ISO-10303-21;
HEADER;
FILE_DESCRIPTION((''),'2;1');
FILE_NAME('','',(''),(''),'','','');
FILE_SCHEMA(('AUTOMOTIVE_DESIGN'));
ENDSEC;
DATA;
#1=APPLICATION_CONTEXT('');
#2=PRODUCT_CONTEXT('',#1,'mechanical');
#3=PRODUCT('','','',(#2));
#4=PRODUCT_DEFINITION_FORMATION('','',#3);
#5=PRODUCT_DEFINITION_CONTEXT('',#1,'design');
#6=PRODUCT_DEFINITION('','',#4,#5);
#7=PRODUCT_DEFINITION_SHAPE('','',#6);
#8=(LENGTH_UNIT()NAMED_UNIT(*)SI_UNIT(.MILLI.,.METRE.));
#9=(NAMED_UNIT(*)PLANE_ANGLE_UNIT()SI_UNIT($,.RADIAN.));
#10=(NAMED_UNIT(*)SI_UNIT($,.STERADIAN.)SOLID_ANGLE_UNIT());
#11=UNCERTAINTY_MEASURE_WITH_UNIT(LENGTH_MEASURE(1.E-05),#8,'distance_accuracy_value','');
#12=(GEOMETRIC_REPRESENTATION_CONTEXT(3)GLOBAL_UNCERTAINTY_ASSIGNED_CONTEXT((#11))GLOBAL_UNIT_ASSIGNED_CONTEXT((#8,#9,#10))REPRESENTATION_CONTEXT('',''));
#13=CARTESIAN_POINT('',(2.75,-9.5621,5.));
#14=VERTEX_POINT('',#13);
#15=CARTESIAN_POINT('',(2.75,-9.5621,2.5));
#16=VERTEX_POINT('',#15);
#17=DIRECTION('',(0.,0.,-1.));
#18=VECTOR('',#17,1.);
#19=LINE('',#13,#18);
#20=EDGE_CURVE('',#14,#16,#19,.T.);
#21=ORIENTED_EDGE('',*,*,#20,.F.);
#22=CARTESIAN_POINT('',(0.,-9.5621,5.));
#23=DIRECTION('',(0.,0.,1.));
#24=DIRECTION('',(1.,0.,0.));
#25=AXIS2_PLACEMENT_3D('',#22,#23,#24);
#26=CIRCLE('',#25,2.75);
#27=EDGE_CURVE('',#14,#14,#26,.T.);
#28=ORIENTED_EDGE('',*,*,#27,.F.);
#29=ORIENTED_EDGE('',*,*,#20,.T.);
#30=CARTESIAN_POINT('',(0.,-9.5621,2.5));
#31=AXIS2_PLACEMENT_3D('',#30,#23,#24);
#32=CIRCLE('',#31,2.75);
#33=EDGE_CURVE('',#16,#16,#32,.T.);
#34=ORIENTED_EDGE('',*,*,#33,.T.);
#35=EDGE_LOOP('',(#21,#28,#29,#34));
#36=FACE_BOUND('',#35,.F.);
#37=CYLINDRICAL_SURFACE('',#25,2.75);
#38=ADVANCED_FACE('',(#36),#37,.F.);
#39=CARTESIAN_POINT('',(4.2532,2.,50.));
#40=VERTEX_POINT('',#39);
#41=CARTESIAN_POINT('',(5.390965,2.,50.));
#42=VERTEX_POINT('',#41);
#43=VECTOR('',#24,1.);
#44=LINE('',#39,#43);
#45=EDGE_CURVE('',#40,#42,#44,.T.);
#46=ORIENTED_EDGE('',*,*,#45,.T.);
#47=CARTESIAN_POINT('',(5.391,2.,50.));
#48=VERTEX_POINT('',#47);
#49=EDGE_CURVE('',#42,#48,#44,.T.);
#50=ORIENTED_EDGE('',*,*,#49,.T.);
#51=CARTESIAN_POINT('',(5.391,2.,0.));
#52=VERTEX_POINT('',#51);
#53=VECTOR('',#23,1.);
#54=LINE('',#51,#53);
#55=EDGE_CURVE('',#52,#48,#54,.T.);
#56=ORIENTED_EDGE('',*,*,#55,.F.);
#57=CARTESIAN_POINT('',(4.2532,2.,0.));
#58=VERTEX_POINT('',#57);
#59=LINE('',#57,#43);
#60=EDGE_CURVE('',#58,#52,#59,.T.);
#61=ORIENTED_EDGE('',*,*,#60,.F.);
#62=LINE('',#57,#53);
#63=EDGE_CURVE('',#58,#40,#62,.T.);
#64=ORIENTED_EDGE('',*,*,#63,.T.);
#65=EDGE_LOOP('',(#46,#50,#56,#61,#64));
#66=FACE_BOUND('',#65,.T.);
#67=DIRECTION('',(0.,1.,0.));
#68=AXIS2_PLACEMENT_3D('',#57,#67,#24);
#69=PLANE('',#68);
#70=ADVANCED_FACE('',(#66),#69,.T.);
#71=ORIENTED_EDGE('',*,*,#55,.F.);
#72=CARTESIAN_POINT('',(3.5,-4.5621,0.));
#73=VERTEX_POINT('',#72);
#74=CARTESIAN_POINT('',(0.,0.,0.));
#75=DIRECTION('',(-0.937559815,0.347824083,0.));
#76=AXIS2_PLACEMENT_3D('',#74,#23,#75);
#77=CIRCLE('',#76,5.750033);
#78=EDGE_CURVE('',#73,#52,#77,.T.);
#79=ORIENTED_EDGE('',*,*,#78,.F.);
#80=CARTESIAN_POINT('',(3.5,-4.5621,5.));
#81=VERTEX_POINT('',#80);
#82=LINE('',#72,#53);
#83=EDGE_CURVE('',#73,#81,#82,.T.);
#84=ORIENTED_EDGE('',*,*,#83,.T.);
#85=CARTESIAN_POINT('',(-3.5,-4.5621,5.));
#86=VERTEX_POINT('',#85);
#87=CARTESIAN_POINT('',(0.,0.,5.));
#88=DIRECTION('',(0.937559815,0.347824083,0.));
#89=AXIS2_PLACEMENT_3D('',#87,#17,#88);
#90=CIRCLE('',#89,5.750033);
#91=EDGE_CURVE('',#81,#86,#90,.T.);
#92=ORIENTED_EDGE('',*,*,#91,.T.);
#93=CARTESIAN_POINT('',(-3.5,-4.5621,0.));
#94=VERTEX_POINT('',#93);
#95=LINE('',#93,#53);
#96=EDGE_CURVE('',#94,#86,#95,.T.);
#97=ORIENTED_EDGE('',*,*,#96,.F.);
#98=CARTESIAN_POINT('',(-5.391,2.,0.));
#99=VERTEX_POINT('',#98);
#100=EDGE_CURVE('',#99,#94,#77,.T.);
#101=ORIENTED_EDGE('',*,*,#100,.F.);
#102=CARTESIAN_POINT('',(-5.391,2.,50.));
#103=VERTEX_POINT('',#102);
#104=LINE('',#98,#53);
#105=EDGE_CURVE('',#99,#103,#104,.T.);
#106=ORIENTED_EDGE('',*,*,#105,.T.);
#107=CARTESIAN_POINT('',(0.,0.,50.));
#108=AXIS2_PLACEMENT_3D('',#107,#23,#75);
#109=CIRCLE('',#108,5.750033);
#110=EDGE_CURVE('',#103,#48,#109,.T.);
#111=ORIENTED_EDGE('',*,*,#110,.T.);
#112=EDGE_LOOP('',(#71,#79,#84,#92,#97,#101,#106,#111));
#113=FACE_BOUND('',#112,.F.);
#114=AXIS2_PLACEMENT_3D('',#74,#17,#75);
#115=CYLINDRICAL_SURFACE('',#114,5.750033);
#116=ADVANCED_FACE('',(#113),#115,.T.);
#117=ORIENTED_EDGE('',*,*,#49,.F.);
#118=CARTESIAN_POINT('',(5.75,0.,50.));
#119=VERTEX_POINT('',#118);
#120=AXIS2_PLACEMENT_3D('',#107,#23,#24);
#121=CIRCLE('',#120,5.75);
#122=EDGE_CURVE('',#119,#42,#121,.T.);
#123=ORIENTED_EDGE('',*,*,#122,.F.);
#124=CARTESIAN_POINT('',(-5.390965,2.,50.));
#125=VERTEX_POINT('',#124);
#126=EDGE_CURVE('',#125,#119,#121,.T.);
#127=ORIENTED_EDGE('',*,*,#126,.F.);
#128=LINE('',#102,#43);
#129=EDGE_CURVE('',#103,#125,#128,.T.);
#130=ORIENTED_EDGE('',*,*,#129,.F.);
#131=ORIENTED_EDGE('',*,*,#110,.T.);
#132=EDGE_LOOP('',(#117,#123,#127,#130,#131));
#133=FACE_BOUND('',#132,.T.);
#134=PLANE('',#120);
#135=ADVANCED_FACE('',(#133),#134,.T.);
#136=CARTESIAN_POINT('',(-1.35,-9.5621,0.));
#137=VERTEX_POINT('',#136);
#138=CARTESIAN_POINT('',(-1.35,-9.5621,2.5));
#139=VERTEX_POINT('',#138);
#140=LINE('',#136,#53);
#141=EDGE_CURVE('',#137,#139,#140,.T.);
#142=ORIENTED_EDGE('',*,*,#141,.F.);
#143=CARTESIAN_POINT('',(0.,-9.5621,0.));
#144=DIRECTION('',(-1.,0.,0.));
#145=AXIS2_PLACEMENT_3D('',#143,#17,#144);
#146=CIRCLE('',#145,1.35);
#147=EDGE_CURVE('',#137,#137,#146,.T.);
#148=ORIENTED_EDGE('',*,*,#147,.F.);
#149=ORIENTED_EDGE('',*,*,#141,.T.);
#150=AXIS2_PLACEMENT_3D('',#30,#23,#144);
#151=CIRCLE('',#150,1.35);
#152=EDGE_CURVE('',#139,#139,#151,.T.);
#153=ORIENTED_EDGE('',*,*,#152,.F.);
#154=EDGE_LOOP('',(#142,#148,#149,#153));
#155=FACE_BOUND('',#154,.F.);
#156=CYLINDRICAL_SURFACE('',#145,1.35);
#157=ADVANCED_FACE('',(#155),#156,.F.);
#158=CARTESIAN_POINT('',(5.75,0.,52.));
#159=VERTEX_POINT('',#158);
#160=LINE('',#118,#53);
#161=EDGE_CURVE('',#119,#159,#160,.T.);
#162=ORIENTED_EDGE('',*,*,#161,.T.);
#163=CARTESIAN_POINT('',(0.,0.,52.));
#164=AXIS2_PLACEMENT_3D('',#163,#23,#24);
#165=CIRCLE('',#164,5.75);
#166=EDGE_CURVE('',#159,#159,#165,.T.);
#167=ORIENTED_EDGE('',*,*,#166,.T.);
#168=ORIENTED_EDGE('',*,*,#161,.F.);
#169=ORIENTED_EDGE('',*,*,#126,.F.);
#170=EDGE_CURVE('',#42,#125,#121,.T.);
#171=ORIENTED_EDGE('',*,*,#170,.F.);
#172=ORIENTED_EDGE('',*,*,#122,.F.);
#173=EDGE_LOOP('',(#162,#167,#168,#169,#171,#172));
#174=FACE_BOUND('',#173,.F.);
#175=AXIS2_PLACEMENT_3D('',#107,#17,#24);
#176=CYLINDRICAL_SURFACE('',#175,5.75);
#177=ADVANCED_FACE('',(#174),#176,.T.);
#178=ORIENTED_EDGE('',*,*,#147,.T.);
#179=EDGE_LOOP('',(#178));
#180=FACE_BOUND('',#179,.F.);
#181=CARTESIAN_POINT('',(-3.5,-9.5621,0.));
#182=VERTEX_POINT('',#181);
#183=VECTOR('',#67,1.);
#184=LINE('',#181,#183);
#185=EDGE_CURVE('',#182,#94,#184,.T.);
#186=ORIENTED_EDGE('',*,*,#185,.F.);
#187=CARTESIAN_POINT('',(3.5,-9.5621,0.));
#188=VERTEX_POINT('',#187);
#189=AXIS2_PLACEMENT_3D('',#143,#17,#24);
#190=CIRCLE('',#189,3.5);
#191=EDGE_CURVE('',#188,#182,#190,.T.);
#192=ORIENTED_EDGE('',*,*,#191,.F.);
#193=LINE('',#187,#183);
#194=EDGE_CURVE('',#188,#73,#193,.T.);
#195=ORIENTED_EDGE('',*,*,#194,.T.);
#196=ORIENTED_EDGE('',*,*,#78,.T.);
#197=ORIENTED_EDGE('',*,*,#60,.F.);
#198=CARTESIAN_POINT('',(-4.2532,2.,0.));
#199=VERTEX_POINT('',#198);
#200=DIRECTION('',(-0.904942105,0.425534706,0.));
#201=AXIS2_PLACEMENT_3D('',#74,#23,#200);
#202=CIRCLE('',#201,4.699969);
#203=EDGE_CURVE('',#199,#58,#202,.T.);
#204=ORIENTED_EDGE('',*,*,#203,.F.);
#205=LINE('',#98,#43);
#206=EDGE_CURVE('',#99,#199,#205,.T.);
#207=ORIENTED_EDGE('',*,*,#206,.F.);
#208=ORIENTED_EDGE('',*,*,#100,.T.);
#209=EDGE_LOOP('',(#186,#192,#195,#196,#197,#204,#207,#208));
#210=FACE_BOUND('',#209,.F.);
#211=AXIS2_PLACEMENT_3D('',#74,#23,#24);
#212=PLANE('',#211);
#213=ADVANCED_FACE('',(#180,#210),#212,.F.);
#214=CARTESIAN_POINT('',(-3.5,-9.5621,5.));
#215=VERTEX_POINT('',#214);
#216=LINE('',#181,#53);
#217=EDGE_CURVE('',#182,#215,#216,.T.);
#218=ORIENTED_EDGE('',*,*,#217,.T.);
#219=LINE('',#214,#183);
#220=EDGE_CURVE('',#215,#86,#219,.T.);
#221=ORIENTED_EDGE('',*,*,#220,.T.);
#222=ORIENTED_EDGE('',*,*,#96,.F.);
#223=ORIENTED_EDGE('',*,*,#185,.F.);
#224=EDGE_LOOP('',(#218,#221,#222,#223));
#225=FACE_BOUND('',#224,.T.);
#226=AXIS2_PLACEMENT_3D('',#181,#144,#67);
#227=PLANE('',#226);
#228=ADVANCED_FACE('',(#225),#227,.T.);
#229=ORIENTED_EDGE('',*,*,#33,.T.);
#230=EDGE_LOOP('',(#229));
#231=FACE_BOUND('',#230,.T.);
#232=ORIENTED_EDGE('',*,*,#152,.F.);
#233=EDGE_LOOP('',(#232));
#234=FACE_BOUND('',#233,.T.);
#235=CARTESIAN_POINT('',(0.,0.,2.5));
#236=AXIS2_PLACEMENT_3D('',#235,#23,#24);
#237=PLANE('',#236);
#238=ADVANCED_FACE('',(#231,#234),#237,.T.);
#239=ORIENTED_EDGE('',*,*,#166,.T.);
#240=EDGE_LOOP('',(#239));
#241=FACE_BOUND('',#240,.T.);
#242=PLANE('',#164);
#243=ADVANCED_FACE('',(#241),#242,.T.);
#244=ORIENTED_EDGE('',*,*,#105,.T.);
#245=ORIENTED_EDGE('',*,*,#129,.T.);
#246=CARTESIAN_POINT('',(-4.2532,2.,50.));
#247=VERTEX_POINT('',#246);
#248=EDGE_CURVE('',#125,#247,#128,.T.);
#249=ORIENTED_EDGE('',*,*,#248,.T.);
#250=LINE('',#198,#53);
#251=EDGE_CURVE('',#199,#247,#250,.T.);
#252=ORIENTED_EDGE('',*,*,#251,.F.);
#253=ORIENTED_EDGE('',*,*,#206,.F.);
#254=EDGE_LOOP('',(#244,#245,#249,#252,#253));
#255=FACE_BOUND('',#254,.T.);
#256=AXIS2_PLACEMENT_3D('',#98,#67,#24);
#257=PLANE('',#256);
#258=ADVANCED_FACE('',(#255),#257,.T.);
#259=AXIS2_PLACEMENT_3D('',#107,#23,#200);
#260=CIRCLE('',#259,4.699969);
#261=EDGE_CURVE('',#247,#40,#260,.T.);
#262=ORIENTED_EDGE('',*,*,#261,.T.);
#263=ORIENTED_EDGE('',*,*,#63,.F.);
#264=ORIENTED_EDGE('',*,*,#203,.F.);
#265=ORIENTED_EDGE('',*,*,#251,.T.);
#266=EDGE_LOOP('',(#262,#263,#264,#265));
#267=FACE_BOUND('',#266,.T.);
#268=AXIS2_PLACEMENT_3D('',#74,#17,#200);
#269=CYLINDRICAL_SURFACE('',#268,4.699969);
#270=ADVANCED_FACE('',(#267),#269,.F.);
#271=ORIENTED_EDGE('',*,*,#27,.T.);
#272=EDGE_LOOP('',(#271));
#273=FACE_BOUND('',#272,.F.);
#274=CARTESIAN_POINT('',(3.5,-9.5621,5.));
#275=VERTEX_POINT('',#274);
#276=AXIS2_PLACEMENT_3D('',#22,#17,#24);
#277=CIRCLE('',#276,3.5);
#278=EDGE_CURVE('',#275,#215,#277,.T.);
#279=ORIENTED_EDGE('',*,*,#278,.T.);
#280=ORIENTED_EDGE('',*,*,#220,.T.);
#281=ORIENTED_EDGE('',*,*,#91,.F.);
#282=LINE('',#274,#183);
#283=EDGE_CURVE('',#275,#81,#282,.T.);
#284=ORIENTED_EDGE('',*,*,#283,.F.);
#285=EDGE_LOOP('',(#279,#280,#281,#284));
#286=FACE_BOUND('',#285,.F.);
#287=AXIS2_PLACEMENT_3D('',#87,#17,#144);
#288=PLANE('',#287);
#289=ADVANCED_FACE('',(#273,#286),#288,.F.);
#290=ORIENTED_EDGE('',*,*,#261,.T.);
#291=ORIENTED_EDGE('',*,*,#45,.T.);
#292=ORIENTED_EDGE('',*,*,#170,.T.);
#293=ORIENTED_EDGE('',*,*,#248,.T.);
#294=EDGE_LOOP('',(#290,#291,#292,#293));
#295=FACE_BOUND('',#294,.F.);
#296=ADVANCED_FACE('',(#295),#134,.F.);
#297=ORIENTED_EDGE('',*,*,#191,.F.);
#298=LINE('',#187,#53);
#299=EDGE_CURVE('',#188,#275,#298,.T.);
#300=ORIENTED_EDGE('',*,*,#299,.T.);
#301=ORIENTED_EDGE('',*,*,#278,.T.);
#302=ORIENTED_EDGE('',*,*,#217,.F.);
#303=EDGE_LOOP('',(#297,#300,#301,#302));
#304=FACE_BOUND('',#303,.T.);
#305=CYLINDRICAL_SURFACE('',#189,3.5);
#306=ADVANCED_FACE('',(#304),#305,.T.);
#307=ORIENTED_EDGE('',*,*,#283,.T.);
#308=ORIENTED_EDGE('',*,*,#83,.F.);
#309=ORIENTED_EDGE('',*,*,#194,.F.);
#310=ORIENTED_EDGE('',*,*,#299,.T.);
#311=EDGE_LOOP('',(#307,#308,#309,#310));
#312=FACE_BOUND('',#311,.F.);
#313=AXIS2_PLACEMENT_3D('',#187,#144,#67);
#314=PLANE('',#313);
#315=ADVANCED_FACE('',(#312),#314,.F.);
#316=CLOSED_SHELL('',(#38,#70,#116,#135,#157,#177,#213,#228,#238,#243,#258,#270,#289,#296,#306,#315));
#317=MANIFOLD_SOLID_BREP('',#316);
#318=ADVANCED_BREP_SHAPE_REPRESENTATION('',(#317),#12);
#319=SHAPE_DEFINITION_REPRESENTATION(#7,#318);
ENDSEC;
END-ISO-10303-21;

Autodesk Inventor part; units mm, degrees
ref_plane "YZ Plane" through (0, 0, 0) normal (1, 0, 0) x (0, 1, 0)
ref_plane "XZ Plane" through (0, 0, 0) normal (0, 1, 0) x (-1, 0, 0)
ref_plane "XY Plane" through (0, 0, 0) normal (0, 0, 1) x (1, 0, 0)
sketch "Sketch1" plane through (0, 0, 0) normal (0, 0, 1) x (1, 0, 0)
  arc A0 (-4.2532, 2) -> (4.2532, 2) centre (0, 0) ccw
  arc A1 (-5.391, 2) -> (5.391, 2) centre (0, 0) ccw
  line L0 (-5.391, 2) -> (-4.2532, 2)
  line L1 (4.2532, 2) -> (5.391, 2)
  dimension "d0" = 9.4
  dimension "d1" = 11.5
extrude "Extrusion1" add sketch "Sketch1" along normal blind 50
sketch "Sketch2" plane through (0, 0, 50) normal (0, 0, 1) x (1, 0, 0)
  circle A0 centre (0, 0) radius 5.75
extrude "Extrusion2" add sketch "Sketch2" along normal blind 2
sketch "Sketch3" plane through (0, 0, 0) normal (0, 0, -1) x (-1, 0, 0)
  arc A0 (-5.391, 2) -> (5.391, 2) centre (0, 0) ccw projected
  arc A1 (-3.5, -9.5621) -> (3.5, -9.5621) centre (0, -9.5621) ccw
  line L0 (3.5, -9.5621) -> (3.5, -4.5621)
  line L1 (-3.5, -9.5621) -> (-3.5, -4.5621)
  dimension "d7" = 7
  dimension "d9" = 5
extrude "Extrusion3" add sketch "Sketch3" against normal blind 5
sketch "Sketch4" plane through (0, 0, 0) normal (0, 0, -1) x (-1, 0, 0)
  arc A0 (-3.5, -9.5621) -> (3.5, -9.5621) centre (0, -9.5621) ccw projected
  circle A1 centre (0, -9.5621) radius 1.35
  point P0 (0, 0)
  dimension "d12" = 2.7
extrude "Extrusion4" cut sketch "Sketch4" against normal through all
sketch "Sketch5" plane through (0, 0, 5) normal (0, 0, 1) x (1, 0, 0)
  circle A0 centre (0, -9.5621) radius 1.35 projected
  circle A1 centre (0, -9.5621) radius 2.75
  point P0 (0, 0)
  dimension "d15" = 5.5
extrude "Extrusion5" cut sketch "Sketch5" against normal blind 2.5
properties part number "pen_limiter" material "Polypropylene"
